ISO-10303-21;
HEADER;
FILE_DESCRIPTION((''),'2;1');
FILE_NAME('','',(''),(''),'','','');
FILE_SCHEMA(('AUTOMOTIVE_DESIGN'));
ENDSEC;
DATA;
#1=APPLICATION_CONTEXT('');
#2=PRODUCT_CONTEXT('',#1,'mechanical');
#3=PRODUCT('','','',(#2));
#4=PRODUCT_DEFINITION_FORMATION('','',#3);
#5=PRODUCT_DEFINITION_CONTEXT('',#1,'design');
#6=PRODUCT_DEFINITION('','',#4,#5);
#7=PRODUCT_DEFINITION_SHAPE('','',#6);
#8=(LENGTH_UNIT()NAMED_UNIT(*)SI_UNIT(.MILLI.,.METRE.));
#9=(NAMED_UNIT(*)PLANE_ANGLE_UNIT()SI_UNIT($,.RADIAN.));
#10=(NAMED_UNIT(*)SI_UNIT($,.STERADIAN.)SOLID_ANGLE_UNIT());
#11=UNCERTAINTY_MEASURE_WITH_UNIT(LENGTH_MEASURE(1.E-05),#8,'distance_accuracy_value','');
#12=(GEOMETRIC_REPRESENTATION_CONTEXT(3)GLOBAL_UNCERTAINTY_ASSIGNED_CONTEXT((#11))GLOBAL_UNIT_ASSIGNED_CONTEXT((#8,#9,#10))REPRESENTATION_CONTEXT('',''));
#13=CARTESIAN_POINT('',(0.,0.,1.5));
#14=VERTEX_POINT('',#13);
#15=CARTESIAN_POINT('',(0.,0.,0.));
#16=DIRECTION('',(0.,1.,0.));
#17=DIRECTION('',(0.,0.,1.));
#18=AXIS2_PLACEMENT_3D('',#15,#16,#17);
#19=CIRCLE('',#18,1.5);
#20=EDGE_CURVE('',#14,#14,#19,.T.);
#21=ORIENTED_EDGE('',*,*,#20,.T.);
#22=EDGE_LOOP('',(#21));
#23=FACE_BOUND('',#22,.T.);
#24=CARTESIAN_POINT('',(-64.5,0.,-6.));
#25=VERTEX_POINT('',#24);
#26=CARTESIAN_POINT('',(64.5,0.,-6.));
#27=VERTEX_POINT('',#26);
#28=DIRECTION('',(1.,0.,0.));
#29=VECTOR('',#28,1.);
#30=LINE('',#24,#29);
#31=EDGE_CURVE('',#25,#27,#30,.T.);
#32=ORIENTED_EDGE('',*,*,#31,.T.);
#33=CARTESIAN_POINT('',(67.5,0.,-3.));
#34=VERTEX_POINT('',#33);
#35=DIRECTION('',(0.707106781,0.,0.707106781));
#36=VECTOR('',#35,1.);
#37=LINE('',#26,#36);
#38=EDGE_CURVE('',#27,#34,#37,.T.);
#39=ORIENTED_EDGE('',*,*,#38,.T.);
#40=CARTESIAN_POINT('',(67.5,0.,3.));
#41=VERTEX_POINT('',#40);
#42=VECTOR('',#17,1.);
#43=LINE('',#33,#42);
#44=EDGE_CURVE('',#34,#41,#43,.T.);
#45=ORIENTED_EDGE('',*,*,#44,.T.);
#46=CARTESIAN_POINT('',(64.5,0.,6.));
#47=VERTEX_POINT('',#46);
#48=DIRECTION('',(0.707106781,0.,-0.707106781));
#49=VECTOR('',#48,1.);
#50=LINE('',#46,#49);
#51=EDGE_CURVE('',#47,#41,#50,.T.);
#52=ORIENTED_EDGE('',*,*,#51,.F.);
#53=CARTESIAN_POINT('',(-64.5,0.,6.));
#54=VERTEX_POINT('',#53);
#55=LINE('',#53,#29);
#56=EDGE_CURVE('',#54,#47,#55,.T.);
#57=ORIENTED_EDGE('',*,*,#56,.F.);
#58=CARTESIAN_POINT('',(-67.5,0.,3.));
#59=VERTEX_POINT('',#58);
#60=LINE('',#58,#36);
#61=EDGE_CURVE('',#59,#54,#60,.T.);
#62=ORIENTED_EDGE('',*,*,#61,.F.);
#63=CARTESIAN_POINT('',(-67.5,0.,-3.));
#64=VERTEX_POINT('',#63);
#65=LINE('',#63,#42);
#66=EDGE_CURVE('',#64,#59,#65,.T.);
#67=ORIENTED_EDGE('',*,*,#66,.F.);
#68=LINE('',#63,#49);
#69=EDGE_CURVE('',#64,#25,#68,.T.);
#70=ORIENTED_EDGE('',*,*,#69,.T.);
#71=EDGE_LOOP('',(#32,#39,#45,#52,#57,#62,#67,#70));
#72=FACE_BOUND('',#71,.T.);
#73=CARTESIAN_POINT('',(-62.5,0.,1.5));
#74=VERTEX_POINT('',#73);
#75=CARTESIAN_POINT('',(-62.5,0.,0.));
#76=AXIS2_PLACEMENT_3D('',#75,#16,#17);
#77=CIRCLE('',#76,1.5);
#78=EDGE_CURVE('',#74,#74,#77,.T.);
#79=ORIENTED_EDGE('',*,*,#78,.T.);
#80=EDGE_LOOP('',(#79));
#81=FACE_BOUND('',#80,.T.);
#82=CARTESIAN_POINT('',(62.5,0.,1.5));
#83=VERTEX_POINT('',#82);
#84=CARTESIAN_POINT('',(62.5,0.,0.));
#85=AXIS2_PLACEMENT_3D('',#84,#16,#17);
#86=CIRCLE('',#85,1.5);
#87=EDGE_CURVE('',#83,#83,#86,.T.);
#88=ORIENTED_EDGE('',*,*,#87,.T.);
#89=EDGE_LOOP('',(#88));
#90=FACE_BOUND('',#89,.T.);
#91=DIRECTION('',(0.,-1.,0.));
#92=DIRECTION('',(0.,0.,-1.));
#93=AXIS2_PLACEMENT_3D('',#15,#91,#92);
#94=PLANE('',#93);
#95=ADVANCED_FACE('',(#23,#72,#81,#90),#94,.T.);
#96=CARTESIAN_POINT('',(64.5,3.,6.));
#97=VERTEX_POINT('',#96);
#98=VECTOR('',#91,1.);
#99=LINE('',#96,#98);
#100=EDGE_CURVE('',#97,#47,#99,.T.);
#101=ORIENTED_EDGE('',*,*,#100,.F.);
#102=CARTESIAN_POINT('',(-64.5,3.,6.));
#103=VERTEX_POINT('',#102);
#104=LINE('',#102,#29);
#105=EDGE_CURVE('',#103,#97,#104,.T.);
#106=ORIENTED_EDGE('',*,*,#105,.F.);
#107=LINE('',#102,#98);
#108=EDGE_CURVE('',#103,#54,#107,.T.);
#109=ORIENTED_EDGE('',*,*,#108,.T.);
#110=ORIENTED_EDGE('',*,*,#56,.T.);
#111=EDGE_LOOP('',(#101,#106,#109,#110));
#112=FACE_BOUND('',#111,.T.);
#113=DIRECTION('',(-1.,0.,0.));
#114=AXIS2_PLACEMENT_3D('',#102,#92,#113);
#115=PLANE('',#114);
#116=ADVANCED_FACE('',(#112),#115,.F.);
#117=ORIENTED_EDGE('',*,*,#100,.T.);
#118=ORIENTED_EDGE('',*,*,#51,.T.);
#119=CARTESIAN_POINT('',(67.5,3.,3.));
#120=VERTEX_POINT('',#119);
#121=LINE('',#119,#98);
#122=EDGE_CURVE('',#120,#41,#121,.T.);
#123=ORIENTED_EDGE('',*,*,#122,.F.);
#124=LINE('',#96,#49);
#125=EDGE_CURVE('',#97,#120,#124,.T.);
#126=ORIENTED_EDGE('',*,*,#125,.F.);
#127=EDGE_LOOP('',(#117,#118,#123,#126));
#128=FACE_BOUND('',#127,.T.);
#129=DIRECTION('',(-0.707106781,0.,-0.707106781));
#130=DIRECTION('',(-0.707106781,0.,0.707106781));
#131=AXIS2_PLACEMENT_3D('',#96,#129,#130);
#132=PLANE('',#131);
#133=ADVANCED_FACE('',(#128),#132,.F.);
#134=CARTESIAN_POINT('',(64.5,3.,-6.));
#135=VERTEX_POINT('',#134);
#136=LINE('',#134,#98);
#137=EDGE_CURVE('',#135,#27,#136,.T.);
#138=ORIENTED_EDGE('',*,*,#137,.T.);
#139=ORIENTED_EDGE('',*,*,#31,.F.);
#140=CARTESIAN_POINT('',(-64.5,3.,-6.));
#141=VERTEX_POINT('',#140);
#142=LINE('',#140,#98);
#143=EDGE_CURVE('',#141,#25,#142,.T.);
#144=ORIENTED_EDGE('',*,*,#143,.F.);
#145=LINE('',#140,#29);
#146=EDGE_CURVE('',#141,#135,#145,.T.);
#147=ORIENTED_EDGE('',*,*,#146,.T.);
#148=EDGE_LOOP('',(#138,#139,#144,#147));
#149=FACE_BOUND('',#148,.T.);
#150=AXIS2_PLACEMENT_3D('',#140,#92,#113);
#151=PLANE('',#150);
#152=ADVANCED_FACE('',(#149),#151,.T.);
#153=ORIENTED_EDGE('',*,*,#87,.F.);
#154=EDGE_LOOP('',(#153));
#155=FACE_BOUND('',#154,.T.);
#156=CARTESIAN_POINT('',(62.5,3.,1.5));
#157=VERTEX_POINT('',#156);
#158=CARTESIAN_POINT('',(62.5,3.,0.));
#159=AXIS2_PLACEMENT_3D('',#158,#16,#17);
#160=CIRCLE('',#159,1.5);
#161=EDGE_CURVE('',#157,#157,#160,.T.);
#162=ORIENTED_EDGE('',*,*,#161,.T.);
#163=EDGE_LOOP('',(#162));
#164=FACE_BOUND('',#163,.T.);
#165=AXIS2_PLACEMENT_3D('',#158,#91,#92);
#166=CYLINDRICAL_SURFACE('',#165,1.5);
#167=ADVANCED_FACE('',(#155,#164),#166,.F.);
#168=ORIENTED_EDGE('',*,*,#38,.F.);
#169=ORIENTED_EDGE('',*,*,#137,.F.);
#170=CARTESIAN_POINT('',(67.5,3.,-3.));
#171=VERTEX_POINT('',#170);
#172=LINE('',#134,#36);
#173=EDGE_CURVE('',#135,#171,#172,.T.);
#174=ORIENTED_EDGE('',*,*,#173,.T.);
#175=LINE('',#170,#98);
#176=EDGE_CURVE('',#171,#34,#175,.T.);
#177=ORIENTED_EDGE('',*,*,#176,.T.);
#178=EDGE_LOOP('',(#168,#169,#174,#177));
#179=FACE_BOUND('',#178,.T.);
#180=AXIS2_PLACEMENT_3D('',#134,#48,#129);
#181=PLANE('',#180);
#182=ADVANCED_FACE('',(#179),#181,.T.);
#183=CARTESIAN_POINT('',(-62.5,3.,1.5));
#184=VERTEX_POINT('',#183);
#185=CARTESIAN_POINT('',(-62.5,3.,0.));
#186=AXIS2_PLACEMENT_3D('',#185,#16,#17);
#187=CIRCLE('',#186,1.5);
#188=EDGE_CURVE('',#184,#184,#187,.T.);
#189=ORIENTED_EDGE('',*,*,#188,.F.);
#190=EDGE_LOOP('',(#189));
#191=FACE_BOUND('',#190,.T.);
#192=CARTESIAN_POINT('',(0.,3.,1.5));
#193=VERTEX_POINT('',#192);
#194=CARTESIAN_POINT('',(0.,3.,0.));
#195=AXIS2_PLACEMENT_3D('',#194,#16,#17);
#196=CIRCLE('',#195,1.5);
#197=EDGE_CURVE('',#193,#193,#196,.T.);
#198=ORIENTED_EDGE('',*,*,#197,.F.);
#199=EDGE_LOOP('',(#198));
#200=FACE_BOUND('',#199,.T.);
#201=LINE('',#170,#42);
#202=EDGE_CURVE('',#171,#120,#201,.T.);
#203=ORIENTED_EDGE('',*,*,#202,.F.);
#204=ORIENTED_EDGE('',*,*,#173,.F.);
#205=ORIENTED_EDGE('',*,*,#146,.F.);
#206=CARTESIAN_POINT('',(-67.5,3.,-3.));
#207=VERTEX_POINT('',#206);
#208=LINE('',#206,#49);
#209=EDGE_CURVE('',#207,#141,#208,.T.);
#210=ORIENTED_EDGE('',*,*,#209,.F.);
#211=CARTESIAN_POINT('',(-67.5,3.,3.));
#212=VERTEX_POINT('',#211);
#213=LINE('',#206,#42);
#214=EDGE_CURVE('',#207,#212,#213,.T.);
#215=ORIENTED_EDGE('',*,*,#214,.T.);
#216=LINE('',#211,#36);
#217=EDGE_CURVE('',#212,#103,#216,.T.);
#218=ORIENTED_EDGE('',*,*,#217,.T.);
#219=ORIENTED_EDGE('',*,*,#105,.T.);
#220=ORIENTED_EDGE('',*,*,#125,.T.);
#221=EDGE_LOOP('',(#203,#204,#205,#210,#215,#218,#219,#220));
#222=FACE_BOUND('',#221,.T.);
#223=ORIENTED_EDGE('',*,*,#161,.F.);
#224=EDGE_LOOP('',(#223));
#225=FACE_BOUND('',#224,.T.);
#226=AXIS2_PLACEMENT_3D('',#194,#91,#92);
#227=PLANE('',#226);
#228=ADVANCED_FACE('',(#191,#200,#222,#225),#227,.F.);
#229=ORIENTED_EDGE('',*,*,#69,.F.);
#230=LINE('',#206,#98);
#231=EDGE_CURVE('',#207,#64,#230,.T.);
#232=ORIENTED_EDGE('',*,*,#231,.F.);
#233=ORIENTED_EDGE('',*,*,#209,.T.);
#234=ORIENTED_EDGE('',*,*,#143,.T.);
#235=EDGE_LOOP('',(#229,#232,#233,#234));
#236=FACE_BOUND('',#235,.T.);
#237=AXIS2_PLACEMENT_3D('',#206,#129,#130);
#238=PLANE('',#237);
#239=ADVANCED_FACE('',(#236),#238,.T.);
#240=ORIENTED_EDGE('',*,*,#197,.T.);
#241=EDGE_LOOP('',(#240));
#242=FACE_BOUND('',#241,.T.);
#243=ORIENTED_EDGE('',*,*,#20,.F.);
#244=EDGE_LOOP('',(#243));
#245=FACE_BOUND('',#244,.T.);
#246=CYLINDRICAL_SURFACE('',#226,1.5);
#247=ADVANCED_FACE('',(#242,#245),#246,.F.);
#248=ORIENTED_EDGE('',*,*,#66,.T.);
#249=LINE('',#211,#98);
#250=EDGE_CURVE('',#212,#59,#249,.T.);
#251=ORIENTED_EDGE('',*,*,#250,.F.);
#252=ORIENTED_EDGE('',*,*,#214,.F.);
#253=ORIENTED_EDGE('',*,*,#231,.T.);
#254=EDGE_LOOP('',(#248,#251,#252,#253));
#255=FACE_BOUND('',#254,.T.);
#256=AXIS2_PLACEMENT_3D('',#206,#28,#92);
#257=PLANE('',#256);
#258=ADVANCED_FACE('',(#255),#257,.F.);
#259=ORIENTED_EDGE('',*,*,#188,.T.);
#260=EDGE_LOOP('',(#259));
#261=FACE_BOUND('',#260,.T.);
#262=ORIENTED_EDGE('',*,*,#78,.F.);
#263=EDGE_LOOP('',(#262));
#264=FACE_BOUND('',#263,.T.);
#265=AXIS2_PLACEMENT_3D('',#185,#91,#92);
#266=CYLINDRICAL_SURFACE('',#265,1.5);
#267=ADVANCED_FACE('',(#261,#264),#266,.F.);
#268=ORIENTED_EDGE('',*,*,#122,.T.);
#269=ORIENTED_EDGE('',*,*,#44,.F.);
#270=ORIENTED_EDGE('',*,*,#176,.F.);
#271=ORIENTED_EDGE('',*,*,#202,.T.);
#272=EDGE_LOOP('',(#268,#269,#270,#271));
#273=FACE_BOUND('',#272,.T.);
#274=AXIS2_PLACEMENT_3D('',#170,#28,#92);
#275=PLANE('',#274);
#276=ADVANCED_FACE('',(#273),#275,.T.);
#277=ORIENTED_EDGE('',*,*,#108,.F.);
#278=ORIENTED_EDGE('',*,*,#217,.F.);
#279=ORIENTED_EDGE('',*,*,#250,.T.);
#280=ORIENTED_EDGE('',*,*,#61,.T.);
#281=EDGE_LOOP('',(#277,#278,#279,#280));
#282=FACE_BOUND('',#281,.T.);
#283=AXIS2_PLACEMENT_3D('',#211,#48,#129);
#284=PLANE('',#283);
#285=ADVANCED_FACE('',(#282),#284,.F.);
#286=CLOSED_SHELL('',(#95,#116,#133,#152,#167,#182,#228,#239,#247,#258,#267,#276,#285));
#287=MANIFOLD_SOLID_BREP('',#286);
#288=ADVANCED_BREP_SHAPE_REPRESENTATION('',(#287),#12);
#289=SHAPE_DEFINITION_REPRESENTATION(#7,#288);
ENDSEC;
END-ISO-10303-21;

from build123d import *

# Parameters (mm, degrees)
SKETCH1_R           = 1.5
BOSS_EXTRUDE1_DEPTH = 3


with BuildPart() as part:
    # Sketch1 → Boss-Extrude1 (new body)
    with BuildSketch(Plane(origin=(0, 0, 0), x_dir=(1, 0, 0), z_dir=(0, 1, 0))):
        Polygon((-67.5, 3), (-64.5, 6), (64.5, 6), (67.5, 3), (67.5, -3), (64.5, -6), (-64.5, -6), (-67.5, -3), align=None)
        with Locations(Location((-62.5, 0, 0), (0, 0, 270))):
            Circle(SKETCH1_R, mode=Mode.SUBTRACT)
        with Locations(Location((0, 0, 0), (0, 0, 270))):
            Circle(SKETCH1_R, mode=Mode.SUBTRACT)
        with Locations(Location((62.5, 0, 0), (0, 0, 270))):
            Circle(SKETCH1_R, mode=Mode.SUBTRACT)
    extrude(amount=BOSS_EXTRUDE1_DEPTH)


solid = part.part
